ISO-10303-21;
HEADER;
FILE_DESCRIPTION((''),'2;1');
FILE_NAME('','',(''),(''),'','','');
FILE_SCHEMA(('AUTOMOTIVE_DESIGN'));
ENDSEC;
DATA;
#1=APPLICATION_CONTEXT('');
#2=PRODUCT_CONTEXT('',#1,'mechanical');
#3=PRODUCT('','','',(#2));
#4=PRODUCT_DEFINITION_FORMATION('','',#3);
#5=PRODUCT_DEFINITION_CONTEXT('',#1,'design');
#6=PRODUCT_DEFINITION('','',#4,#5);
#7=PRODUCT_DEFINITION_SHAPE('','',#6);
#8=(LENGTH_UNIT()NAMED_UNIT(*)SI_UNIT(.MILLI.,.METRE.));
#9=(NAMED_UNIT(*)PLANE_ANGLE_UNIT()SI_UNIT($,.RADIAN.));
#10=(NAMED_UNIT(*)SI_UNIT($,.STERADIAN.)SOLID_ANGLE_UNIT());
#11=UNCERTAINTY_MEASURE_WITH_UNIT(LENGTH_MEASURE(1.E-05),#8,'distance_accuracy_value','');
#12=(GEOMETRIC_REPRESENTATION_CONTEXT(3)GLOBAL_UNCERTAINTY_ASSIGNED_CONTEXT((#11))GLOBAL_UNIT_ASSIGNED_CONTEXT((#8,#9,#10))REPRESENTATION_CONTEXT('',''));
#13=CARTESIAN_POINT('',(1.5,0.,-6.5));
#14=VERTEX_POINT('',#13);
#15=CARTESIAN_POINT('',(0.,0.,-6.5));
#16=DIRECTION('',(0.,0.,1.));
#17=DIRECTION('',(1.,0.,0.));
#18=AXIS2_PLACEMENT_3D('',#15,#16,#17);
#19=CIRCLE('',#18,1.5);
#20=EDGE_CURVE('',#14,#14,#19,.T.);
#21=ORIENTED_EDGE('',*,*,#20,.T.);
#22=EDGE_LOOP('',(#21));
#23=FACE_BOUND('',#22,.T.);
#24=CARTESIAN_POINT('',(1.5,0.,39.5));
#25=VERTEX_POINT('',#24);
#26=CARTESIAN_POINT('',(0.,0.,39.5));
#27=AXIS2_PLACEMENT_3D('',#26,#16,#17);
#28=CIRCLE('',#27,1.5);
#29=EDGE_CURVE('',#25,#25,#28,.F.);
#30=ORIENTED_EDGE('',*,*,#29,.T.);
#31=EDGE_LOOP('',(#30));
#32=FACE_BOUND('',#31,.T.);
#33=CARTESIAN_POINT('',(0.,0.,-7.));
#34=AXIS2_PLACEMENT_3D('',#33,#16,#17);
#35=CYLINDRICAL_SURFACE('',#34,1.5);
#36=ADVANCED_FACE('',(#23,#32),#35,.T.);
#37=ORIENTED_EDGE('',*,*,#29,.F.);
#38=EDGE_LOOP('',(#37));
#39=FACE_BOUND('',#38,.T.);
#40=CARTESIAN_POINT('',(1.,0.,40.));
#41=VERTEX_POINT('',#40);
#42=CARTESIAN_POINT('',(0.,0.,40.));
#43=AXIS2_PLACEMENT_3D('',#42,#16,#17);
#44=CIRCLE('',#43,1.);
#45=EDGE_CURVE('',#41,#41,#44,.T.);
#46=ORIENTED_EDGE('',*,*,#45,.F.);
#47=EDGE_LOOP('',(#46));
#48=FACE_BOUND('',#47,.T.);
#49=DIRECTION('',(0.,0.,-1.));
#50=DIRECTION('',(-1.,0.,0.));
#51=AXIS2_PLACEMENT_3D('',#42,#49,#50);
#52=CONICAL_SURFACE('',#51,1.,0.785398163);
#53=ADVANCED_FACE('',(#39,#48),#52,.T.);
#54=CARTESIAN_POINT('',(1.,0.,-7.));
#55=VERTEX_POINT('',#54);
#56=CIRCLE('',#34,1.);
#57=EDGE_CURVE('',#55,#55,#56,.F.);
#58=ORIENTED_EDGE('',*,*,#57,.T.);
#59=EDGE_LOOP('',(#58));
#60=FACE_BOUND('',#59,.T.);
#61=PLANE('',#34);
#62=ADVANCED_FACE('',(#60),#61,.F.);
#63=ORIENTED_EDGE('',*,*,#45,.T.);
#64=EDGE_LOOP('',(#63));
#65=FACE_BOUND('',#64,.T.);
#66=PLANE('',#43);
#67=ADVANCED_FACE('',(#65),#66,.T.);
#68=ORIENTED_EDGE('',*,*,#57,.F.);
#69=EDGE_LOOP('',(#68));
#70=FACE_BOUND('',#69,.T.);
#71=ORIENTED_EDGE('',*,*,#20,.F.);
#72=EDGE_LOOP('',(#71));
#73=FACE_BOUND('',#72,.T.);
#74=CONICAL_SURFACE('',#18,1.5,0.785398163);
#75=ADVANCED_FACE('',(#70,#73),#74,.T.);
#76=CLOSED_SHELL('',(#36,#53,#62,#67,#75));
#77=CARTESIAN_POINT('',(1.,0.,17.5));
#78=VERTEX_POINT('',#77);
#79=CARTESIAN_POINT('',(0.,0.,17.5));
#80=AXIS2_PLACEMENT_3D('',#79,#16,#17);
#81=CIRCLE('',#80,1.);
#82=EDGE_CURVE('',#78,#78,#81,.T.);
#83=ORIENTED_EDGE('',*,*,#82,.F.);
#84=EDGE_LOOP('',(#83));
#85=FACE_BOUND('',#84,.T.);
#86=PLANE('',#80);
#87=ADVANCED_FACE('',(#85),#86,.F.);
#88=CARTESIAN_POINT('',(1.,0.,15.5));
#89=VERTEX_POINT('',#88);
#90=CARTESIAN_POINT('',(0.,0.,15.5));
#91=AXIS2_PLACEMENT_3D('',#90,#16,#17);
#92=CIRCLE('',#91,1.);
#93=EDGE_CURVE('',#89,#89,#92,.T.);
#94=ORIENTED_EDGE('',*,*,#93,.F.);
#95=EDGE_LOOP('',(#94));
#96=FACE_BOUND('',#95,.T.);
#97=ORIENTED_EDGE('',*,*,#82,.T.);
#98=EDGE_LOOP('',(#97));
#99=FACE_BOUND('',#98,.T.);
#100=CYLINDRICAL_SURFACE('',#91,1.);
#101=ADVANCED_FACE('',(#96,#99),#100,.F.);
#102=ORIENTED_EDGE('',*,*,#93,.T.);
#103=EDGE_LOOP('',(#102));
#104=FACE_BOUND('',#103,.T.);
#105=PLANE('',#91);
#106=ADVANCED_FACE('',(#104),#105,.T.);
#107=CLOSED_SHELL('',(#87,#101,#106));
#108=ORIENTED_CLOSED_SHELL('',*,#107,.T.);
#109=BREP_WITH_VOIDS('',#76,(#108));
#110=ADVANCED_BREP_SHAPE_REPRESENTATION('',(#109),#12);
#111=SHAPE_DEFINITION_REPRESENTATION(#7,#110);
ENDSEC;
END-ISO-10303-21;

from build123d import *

# Parameters (mm, degrees)
BOSS_EXTRUDE1_DEPTH      = 40
BOSS_EXTRUDE1_DEPTH_BACK = 7
SKETCH1_R                = 1.5
CHAMFER1_SIZE            = 0.5
CUT_EXTRUDE1_DEPTH       = 1
CUT_EXTRUDE1_DEPTH_BACK  = 1
SKETCH2_R                = 1


with BuildPart() as part:
    # Sketch1 → Boss-Extrude1 (new, two sides: drawn at the far end of the back side and taken through both)
    with BuildSketch(Plane.XY.offset(-BOSS_EXTRUDE1_DEPTH_BACK)):
        Circle(SKETCH1_R)
    extrude(amount=BOSS_EXTRUDE1_DEPTH + BOSS_EXTRUDE1_DEPTH_BACK)

    # Chamfer1
    chamfer1_edges = [part.edges().sort_by_distance(p)[0] for p in [
        (-1.5, 0, 40),
        (-1.5, 0, -7),
    ]]
    chamfer(chamfer1_edges, length=CHAMFER1_SIZE)

    # Sketch2 → Cut-Extrude1 (cut, two sides: drawn at the far end of the back side and taken through both)
    with BuildSketch(Plane.XY.offset(16.5).offset(-CUT_EXTRUDE1_DEPTH_BACK)):
        Circle(SKETCH2_R)
    extrude(amount=CUT_EXTRUDE1_DEPTH + CUT_EXTRUDE1_DEPTH_BACK, mode=Mode.SUBTRACT)


solid = part.part
